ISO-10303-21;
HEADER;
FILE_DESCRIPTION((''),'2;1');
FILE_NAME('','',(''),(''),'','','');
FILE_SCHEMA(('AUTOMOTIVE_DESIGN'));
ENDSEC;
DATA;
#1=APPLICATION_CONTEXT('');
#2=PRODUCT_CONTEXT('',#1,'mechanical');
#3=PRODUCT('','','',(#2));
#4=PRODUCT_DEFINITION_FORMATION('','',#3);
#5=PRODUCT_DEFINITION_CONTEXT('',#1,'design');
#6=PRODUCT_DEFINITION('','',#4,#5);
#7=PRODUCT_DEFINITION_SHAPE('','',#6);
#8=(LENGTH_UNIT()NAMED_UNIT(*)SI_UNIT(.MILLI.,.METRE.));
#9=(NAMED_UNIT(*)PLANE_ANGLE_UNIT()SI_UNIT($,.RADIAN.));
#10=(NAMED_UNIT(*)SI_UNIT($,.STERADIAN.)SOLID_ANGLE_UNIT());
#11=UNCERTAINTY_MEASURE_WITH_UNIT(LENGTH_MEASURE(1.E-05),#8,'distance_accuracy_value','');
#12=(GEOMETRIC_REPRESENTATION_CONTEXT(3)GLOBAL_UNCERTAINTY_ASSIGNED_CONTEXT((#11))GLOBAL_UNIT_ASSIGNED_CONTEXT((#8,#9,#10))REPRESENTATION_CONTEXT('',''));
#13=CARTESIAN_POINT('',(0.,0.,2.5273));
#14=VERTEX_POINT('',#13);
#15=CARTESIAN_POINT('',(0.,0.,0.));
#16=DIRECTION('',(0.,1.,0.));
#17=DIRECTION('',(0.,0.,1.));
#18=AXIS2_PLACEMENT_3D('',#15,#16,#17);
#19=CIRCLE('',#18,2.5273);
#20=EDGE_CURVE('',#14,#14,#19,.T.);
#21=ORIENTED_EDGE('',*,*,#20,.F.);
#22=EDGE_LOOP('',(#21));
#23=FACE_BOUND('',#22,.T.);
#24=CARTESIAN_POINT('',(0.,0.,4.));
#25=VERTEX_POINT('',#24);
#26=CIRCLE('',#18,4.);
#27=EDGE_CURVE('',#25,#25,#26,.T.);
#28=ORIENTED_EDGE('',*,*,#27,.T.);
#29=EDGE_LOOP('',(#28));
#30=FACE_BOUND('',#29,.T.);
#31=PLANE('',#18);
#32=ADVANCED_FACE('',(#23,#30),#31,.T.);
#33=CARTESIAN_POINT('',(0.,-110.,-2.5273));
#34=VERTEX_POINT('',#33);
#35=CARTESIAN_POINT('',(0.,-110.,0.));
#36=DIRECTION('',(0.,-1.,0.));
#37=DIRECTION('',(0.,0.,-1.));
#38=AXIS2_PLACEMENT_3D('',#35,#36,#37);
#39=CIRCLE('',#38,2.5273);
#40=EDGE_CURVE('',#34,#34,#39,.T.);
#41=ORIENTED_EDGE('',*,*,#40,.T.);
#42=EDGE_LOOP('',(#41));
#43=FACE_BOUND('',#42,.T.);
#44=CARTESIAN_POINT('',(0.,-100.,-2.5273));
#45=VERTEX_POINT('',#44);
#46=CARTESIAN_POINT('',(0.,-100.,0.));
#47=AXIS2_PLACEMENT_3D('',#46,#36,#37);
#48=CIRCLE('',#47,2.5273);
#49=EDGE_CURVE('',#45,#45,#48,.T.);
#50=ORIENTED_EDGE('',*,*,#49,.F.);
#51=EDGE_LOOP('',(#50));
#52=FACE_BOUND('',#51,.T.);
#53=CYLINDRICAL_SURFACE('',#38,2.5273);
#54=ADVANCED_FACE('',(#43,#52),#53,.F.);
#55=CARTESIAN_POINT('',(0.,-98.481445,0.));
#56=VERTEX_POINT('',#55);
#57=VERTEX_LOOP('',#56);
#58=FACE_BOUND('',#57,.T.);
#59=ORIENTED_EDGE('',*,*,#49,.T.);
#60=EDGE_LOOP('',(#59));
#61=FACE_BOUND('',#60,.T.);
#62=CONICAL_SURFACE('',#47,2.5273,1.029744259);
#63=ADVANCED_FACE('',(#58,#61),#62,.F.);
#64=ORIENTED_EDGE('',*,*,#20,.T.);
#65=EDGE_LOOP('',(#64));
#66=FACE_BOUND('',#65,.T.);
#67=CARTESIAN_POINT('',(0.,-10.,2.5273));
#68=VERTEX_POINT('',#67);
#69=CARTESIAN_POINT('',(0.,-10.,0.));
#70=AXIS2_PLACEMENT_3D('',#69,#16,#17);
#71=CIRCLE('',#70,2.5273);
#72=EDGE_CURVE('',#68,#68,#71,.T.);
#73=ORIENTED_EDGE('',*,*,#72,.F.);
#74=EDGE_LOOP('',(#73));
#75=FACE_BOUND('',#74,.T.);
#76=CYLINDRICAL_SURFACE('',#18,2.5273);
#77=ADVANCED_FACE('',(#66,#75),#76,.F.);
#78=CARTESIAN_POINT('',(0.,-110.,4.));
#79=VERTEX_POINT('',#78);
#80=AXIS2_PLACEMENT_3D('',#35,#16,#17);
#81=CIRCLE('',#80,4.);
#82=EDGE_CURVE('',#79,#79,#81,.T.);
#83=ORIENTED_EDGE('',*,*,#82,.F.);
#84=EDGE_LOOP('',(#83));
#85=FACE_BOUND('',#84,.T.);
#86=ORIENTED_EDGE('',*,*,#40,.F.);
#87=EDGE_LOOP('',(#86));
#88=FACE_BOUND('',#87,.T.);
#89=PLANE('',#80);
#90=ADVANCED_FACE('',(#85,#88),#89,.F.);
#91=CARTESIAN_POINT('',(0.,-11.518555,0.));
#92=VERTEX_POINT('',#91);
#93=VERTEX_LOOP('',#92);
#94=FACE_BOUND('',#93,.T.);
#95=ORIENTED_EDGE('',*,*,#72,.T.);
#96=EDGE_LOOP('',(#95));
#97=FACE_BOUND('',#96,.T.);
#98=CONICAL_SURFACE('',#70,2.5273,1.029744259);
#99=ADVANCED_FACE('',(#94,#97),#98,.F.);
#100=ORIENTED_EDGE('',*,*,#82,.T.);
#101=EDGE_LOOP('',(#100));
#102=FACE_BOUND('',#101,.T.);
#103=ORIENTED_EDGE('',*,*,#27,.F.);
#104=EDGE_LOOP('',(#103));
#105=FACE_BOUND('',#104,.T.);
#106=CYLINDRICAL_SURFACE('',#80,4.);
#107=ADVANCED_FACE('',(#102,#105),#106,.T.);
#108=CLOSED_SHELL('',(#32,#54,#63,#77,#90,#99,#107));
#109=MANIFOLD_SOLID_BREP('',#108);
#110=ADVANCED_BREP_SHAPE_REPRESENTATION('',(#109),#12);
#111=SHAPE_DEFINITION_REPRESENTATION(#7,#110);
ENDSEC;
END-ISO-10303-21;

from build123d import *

# Parameters (mm, degrees)
SKETCH2_R                      = 4
BOSS_EXTRUDE1_DEPTH            = 110
F_8_0_199_DIAMETER_HOLE3_D     = 5.0546
F_8_0_199_DIAMETER_HOLE3_DEPTH = 10
F_8_0_199_DIAMETER_HOLE3_TIP   = 1.518555042
F_8_0_199_DIAMETER_HOLE4_D     = 5.0546
F_8_0_199_DIAMETER_HOLE4_DEPTH = 10
F_8_0_199_DIAMETER_HOLE4_TIP   = 1.518555042


with BuildPart() as part:
    # Sketch2 → Boss-Extrude1 (new body)
    with BuildSketch(Plane(origin=(0, 0, 0), x_dir=(1, 0, 0), z_dir=(0, 1, 0))):
        Circle(SKETCH2_R)
    extrude(amount=-BOSS_EXTRUDE1_DEPTH)

    # #8 (0.199) Diameter Hole3
    with Locations(Plane(origin=(0, 0, 0), x_dir=(1, 0, 0), z_dir=(0, 1, 0))):
        with Locations((0, 0)):
            Hole(F_8_0_199_DIAMETER_HOLE3_D / 2, depth=F_8_0_199_DIAMETER_HOLE3_DEPTH)
            with Locations((0, 0, -(F_8_0_199_DIAMETER_HOLE3_DEPTH + F_8_0_199_DIAMETER_HOLE3_TIP / 2))):  # 118° drill point
                Cone(0, F_8_0_199_DIAMETER_HOLE3_D / 2, F_8_0_199_DIAMETER_HOLE3_TIP, mode=Mode.SUBTRACT)

    # #8 (0.199) Diameter Hole4
    with Locations(Plane(origin=(0, -110, 0), x_dir=(-1, 0, 0), z_dir=(0, -1, 0))):
        with Locations((0, 0)):
            Hole(F_8_0_199_DIAMETER_HOLE4_D / 2, depth=F_8_0_199_DIAMETER_HOLE4_DEPTH)
            with Locations((0, 0, -(F_8_0_199_DIAMETER_HOLE4_DEPTH + F_8_0_199_DIAMETER_HOLE4_TIP / 2))):  # 118° drill point
                Cone(0, F_8_0_199_DIAMETER_HOLE4_D / 2, F_8_0_199_DIAMETER_HOLE4_TIP, mode=Mode.SUBTRACT)


solid = part.part
